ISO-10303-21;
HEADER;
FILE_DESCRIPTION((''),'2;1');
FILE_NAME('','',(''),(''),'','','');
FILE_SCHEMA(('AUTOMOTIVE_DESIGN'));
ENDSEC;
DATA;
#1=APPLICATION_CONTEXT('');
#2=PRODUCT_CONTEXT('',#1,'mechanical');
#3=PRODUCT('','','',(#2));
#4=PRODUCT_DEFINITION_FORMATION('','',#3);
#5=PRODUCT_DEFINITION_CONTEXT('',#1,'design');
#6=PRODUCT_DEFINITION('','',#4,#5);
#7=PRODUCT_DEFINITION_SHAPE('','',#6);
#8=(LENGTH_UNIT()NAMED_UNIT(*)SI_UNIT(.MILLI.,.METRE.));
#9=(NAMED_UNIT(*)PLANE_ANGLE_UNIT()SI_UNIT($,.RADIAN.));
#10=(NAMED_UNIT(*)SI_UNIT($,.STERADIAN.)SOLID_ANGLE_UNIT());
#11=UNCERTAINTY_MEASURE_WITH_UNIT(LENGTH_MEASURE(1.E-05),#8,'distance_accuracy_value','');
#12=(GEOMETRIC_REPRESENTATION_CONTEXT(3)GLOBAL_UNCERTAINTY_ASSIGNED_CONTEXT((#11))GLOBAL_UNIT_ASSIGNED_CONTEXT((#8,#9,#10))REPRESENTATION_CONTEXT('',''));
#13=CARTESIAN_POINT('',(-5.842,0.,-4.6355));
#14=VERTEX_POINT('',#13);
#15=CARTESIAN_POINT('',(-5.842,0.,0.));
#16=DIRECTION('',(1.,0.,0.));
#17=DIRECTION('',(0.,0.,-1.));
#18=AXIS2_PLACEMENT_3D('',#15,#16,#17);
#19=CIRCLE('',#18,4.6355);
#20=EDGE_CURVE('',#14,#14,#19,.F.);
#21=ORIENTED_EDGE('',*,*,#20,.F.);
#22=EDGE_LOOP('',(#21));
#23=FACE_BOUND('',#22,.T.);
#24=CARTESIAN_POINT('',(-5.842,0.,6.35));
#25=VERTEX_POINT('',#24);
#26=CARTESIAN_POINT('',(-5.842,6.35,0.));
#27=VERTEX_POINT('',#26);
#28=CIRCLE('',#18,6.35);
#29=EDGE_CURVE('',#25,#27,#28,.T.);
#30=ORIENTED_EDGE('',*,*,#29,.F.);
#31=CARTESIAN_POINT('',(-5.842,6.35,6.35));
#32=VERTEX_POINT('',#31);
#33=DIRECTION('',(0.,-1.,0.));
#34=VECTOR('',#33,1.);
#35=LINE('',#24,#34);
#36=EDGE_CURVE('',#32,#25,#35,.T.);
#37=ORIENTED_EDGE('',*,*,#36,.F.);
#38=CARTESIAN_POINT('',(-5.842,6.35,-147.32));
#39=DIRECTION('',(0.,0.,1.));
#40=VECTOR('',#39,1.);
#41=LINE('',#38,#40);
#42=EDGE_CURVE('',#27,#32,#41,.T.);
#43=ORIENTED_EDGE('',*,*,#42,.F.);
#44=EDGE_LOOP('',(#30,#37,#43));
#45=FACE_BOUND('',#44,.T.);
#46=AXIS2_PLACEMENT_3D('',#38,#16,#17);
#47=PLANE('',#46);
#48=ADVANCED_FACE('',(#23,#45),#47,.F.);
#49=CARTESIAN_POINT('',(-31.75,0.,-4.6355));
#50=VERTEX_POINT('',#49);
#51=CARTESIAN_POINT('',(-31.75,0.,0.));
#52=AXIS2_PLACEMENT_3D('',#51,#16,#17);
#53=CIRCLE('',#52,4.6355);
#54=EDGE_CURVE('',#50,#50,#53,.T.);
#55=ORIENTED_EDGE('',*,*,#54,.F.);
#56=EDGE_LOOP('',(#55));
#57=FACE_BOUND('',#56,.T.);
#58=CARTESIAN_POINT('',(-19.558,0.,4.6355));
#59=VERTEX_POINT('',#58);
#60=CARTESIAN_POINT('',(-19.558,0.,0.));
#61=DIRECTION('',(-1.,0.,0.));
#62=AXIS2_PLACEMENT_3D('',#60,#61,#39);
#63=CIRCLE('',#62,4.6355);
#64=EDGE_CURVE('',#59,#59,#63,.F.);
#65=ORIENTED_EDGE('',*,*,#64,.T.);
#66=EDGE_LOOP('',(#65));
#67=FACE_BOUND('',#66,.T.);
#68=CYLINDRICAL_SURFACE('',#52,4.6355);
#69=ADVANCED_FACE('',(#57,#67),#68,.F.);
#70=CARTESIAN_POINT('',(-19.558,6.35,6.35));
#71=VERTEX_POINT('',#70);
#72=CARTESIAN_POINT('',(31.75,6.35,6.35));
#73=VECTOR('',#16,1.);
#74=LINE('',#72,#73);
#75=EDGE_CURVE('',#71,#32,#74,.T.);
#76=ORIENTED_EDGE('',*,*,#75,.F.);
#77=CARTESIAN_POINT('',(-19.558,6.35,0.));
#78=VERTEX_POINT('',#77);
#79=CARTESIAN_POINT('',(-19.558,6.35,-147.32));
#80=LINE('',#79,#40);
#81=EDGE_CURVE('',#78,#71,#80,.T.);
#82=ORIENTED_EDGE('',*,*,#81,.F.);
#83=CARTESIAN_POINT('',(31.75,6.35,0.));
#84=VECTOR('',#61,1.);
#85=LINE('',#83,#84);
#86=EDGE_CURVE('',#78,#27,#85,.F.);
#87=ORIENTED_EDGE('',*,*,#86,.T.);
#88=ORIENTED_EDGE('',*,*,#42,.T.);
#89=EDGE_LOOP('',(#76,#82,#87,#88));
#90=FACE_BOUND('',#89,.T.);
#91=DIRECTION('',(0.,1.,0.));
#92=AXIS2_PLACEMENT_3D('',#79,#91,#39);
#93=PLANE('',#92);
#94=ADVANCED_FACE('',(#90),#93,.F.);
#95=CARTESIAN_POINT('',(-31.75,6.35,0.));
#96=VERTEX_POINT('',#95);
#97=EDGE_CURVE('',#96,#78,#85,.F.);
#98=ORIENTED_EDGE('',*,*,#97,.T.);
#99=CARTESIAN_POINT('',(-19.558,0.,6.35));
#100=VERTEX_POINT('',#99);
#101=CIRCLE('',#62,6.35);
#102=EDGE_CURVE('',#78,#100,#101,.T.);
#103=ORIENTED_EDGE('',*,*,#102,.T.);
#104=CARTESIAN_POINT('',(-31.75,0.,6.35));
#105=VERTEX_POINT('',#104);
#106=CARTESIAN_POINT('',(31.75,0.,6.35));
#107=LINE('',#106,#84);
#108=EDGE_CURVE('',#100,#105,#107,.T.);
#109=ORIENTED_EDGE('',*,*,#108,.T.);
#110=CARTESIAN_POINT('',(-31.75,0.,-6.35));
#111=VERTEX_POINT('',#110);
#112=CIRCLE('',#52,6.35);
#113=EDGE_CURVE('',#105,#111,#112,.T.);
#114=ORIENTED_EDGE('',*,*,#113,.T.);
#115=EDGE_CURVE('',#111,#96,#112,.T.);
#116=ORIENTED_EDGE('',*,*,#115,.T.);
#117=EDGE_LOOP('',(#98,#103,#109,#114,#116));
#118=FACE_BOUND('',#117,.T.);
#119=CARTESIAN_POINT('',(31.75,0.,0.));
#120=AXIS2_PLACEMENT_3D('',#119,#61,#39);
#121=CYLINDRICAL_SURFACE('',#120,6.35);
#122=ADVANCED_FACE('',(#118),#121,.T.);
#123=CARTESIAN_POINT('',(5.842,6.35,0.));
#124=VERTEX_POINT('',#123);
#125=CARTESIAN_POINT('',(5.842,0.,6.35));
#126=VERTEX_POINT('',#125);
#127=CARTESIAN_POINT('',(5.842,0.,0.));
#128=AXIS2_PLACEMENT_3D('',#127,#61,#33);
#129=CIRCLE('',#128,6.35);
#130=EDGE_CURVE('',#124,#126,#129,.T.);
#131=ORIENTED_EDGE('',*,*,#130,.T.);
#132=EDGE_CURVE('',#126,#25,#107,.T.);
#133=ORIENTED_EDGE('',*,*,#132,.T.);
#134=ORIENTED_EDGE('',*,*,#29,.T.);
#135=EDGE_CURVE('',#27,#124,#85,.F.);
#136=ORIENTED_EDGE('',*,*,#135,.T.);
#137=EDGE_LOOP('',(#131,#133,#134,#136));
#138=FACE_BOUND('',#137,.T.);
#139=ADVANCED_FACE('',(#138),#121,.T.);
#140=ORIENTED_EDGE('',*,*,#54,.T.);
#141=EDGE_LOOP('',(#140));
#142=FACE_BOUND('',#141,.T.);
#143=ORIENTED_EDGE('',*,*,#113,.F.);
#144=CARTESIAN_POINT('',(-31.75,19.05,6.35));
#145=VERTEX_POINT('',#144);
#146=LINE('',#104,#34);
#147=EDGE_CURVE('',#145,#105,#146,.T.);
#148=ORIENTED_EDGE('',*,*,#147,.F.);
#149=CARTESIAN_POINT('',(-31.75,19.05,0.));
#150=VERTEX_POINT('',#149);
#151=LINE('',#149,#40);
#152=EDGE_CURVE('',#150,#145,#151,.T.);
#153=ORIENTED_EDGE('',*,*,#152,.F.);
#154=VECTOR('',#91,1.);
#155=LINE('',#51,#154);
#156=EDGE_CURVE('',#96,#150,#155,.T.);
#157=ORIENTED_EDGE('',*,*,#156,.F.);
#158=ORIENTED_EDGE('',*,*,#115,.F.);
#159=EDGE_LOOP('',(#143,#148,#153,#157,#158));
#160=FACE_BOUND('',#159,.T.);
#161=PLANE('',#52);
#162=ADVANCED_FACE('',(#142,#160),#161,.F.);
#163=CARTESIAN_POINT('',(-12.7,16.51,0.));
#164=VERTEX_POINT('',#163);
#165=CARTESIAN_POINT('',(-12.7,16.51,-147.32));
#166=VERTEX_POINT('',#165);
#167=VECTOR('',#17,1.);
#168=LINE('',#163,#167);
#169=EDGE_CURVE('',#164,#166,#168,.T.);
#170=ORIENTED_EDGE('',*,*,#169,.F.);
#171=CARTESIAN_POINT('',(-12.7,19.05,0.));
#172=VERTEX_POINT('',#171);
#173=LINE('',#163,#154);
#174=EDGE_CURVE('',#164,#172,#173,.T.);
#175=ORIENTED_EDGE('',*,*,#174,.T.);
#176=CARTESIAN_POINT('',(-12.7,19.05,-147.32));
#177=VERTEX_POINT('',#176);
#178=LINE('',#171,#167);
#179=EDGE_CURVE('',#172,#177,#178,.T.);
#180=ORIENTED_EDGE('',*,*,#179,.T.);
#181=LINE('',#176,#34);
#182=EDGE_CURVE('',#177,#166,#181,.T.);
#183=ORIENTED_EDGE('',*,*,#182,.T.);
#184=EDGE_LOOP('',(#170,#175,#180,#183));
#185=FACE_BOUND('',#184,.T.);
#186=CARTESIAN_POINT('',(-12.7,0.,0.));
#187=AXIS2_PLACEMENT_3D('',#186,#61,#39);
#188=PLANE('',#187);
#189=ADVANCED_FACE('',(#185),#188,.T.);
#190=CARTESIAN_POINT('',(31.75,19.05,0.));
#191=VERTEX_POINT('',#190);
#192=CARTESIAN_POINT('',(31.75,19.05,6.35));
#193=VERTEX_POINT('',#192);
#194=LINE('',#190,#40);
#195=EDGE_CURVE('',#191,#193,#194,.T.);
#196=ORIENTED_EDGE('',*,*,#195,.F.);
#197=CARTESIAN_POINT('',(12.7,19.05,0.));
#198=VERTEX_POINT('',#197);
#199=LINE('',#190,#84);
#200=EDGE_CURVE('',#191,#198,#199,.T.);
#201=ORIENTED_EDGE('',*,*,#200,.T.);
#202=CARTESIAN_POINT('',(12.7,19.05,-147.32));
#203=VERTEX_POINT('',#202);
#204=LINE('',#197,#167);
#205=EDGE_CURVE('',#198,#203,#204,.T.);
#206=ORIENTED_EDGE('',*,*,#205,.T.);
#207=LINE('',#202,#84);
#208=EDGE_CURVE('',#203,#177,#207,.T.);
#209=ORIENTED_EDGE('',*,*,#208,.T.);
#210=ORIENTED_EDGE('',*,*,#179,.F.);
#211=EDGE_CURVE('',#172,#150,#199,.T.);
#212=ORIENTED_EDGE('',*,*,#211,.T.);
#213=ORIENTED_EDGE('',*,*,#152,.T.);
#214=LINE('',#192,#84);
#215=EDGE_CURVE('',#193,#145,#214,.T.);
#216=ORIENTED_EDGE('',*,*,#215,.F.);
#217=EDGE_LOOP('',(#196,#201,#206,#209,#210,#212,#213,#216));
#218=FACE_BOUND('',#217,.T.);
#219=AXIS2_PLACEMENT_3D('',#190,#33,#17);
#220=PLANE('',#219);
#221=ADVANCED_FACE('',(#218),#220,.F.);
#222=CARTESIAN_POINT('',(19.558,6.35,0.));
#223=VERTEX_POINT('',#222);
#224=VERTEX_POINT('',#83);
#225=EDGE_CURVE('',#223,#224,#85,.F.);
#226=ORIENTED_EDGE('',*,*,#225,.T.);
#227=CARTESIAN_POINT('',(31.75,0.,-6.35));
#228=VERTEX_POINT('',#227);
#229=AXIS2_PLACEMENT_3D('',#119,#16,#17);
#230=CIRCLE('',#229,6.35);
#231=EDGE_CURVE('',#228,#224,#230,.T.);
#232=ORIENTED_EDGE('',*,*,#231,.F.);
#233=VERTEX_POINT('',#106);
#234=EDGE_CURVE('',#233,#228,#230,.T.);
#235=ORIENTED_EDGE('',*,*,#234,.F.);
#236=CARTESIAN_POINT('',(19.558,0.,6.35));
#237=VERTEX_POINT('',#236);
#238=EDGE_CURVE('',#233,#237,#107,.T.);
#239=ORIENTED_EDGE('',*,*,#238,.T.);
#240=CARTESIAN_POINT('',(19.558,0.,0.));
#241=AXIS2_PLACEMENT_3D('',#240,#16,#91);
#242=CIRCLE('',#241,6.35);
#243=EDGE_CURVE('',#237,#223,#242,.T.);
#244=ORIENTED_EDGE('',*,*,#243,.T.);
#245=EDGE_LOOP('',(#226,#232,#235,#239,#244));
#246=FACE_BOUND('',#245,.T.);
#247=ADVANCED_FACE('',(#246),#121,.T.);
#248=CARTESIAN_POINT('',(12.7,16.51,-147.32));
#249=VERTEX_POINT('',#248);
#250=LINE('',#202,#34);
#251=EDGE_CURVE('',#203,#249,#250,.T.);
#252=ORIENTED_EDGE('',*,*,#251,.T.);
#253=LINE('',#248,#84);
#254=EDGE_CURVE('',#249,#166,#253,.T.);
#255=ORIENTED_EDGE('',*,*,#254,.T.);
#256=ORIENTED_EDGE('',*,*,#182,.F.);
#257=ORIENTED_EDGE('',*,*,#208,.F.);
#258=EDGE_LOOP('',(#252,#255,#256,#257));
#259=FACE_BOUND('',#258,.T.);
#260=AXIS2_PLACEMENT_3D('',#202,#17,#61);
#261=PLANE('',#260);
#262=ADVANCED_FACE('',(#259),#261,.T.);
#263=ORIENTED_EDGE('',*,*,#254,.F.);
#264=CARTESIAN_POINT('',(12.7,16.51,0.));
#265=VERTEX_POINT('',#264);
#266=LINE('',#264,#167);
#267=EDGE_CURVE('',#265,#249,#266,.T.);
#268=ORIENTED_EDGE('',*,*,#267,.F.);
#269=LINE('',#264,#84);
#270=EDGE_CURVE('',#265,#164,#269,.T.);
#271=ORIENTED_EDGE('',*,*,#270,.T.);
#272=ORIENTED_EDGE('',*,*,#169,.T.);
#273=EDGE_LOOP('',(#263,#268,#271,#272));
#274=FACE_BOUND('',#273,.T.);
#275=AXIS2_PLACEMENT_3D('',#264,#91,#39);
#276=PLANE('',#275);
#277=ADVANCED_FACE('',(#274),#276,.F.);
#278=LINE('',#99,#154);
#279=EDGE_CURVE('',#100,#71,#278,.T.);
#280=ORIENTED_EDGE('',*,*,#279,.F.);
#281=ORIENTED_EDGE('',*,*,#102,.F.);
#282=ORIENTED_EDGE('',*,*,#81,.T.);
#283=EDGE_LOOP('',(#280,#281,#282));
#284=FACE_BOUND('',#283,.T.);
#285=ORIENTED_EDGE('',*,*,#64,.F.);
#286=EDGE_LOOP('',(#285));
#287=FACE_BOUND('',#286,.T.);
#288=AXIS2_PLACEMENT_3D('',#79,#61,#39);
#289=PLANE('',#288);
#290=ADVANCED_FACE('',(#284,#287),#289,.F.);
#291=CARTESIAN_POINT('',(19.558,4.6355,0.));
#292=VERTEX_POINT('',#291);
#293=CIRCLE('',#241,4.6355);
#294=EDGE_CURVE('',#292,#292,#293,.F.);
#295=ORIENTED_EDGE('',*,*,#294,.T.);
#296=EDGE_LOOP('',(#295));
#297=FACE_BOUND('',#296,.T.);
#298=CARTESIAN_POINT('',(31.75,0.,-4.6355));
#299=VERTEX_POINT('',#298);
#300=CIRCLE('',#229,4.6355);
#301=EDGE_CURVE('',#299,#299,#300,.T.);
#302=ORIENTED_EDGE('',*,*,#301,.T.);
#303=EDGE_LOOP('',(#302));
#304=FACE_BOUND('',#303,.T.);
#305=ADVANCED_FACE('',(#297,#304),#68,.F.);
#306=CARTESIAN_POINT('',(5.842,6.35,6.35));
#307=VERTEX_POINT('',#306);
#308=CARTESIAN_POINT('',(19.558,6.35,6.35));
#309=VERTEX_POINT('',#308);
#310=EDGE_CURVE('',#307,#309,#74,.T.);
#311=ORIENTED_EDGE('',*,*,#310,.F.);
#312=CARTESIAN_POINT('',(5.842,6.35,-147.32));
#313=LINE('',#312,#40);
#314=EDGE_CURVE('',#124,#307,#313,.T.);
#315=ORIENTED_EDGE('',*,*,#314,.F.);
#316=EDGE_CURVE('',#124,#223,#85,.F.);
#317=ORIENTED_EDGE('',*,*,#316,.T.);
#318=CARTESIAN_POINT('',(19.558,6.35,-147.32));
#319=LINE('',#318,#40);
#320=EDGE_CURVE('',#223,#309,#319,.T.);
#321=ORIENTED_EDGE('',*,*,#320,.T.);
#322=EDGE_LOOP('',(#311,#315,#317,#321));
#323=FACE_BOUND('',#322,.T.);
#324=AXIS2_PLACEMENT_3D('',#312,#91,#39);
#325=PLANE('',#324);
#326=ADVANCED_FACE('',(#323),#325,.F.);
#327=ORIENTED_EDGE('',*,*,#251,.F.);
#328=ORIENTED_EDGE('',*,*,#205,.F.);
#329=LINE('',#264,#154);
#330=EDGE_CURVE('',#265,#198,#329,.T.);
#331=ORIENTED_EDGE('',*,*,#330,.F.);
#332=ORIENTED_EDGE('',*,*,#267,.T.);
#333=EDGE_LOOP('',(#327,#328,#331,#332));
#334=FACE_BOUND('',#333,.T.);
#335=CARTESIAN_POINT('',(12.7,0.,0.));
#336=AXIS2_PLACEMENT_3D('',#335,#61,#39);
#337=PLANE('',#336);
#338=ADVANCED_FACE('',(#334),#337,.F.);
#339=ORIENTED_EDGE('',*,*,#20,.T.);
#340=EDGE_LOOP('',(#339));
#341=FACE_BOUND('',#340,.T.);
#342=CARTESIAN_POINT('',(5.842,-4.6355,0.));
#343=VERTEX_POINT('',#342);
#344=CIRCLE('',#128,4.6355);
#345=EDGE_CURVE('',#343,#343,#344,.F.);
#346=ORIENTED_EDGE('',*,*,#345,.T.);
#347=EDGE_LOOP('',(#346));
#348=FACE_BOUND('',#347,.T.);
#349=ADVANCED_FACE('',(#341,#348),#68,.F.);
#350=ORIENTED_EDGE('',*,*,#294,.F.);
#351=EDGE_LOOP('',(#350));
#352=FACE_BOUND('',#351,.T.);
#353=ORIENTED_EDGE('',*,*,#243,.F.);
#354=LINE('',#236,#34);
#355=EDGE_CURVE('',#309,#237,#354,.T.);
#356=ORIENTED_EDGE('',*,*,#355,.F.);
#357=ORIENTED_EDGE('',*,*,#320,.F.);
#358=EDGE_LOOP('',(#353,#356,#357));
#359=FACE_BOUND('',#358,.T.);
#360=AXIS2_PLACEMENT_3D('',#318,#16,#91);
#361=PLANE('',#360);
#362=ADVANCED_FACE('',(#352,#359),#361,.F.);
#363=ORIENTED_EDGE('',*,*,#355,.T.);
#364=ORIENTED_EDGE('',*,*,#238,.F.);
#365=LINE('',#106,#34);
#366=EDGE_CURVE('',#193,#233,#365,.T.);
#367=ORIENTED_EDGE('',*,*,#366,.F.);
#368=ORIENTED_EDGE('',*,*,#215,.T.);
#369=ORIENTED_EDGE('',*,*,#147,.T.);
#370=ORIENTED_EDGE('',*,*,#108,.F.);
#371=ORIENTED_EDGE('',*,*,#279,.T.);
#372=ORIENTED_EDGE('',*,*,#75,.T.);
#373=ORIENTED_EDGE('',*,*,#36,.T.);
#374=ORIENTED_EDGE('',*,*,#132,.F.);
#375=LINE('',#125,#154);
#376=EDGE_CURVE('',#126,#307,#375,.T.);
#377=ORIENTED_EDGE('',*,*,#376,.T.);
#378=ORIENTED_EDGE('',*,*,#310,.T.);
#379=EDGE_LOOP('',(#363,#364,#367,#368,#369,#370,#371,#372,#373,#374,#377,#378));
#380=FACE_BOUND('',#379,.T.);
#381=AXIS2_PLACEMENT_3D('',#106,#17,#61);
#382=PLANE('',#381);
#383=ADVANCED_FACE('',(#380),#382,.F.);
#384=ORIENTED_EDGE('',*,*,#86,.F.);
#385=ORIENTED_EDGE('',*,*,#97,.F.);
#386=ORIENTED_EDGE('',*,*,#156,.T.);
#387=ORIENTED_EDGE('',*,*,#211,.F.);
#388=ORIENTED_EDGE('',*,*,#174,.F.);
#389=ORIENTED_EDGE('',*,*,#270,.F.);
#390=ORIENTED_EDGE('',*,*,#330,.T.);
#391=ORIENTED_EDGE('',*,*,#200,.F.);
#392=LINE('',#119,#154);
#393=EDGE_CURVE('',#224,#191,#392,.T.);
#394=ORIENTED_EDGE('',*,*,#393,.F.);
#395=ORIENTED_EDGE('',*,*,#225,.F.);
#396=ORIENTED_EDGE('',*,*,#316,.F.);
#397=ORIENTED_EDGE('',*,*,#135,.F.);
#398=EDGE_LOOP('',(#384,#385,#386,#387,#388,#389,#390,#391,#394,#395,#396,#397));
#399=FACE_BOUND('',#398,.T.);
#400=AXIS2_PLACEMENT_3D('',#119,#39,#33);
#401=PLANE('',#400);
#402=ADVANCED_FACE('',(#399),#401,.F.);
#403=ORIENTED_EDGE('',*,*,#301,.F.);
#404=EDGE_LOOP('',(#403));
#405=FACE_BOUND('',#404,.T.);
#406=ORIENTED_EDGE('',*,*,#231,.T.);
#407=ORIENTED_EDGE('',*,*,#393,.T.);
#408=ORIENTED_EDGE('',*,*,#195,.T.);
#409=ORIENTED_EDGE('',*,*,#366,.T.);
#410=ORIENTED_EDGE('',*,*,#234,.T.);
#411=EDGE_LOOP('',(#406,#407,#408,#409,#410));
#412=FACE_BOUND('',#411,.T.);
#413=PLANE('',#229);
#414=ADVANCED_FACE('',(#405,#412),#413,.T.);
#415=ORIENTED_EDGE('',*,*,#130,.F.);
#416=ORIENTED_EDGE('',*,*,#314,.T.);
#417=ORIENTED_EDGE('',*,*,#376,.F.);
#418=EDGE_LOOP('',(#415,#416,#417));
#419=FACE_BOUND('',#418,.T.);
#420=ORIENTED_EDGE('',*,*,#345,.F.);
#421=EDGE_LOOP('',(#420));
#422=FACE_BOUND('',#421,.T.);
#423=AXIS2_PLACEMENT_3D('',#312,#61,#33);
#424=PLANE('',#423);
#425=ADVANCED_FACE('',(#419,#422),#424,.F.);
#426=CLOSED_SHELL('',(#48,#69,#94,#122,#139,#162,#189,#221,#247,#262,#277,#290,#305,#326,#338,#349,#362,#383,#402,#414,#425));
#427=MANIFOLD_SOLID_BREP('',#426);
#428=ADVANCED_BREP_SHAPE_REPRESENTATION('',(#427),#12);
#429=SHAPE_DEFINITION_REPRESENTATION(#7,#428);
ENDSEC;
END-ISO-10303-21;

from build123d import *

# Parameters (mm, degrees)
SKETCH1_W               = 6.35
SKETCH1_H               = 19.05
BOSS_EXTRUDE1_DEPTH     = 31.75
SKETCH2_W               = 147.32
SKETCH2_H               = 2.54
EXTRUDE_THIN1_DEPTH     = 12.7
SKETCH3_R               = 6.35
SKETCH4_R               = 4.6355
CUT_EXTRUDE2_DEPTH      = 162.549790777
CUT_EXTRUDE4_DEPTH      = 159.067814244
CUT_EXTRUDE4_DEPTH_BACK = 159.067814244
SKETCH5_W               = 13.716
SKETCH5_H               = 12.7


with BuildPart() as part:
    # Sketch1 → Boss-Extrude1 (new, symmetric)
    with BuildSketch(Plane(origin=(0, 0, 0), x_dir=(0, 0, -1), z_dir=(1, 0, 0))):
        with Locations((-3.175, 9.525)):
            Rectangle(SKETCH1_W, SKETCH1_H)
    extrude(amount=BOSS_EXTRUDE1_DEPTH, both=True)

    # Sketch2 → Extrude-Thin1 (add, symmetric)
    with BuildSketch(Plane(origin=(0, 0, 0), x_dir=(0, 0, -1), z_dir=(1, 0, 0))):
        with Locations((73.66, 17.78)):
            Rectangle(SKETCH2_W, SKETCH2_H)
    extrude(amount=EXTRUDE_THIN1_DEPTH, both=True)

    # Sweep1: sweep along a curve in space
    with BuildLine() as sweep1_path:
        Line((31.75, 0, 0), (-31.75, 0, 0))
    # Sketch3 → Sweep1 (sweep)
    with BuildSketch(Plane(origin=(31.75, 0, 0), x_dir=(0, 0, -1), z_dir=(1, 0, 0))):
        Circle(SKETCH3_R)
    sweep(path=sweep1_path.line)

    # Sketch4 → Cut-Extrude2 (cut, through all)
    with BuildSketch(Plane(origin=(31.75, 0, 0), x_dir=(0, 0, -1), z_dir=(1, 0, 0))):
        Circle(SKETCH4_R)
    extrude(amount=-CUT_EXTRUDE2_DEPTH, mode=Mode.SUBTRACT)

    # Sketch5 → Cut-Extrude4 (cut, two sides: drawn at the far end of the back side and taken through both)
    with BuildSketch(Plane.XY.offset(6.35).offset(-CUT_EXTRUDE4_DEPTH_BACK)):
        with Locations((12.7, 0)):
            Rectangle(SKETCH5_W, SKETCH5_H)
        with Locations((-12.7, 0)):
            Rectangle(SKETCH5_W, SKETCH5_H)
    extrude(amount=CUT_EXTRUDE4_DEPTH + CUT_EXTRUDE4_DEPTH_BACK, mode=Mode.SUBTRACT)


solid = part.part
